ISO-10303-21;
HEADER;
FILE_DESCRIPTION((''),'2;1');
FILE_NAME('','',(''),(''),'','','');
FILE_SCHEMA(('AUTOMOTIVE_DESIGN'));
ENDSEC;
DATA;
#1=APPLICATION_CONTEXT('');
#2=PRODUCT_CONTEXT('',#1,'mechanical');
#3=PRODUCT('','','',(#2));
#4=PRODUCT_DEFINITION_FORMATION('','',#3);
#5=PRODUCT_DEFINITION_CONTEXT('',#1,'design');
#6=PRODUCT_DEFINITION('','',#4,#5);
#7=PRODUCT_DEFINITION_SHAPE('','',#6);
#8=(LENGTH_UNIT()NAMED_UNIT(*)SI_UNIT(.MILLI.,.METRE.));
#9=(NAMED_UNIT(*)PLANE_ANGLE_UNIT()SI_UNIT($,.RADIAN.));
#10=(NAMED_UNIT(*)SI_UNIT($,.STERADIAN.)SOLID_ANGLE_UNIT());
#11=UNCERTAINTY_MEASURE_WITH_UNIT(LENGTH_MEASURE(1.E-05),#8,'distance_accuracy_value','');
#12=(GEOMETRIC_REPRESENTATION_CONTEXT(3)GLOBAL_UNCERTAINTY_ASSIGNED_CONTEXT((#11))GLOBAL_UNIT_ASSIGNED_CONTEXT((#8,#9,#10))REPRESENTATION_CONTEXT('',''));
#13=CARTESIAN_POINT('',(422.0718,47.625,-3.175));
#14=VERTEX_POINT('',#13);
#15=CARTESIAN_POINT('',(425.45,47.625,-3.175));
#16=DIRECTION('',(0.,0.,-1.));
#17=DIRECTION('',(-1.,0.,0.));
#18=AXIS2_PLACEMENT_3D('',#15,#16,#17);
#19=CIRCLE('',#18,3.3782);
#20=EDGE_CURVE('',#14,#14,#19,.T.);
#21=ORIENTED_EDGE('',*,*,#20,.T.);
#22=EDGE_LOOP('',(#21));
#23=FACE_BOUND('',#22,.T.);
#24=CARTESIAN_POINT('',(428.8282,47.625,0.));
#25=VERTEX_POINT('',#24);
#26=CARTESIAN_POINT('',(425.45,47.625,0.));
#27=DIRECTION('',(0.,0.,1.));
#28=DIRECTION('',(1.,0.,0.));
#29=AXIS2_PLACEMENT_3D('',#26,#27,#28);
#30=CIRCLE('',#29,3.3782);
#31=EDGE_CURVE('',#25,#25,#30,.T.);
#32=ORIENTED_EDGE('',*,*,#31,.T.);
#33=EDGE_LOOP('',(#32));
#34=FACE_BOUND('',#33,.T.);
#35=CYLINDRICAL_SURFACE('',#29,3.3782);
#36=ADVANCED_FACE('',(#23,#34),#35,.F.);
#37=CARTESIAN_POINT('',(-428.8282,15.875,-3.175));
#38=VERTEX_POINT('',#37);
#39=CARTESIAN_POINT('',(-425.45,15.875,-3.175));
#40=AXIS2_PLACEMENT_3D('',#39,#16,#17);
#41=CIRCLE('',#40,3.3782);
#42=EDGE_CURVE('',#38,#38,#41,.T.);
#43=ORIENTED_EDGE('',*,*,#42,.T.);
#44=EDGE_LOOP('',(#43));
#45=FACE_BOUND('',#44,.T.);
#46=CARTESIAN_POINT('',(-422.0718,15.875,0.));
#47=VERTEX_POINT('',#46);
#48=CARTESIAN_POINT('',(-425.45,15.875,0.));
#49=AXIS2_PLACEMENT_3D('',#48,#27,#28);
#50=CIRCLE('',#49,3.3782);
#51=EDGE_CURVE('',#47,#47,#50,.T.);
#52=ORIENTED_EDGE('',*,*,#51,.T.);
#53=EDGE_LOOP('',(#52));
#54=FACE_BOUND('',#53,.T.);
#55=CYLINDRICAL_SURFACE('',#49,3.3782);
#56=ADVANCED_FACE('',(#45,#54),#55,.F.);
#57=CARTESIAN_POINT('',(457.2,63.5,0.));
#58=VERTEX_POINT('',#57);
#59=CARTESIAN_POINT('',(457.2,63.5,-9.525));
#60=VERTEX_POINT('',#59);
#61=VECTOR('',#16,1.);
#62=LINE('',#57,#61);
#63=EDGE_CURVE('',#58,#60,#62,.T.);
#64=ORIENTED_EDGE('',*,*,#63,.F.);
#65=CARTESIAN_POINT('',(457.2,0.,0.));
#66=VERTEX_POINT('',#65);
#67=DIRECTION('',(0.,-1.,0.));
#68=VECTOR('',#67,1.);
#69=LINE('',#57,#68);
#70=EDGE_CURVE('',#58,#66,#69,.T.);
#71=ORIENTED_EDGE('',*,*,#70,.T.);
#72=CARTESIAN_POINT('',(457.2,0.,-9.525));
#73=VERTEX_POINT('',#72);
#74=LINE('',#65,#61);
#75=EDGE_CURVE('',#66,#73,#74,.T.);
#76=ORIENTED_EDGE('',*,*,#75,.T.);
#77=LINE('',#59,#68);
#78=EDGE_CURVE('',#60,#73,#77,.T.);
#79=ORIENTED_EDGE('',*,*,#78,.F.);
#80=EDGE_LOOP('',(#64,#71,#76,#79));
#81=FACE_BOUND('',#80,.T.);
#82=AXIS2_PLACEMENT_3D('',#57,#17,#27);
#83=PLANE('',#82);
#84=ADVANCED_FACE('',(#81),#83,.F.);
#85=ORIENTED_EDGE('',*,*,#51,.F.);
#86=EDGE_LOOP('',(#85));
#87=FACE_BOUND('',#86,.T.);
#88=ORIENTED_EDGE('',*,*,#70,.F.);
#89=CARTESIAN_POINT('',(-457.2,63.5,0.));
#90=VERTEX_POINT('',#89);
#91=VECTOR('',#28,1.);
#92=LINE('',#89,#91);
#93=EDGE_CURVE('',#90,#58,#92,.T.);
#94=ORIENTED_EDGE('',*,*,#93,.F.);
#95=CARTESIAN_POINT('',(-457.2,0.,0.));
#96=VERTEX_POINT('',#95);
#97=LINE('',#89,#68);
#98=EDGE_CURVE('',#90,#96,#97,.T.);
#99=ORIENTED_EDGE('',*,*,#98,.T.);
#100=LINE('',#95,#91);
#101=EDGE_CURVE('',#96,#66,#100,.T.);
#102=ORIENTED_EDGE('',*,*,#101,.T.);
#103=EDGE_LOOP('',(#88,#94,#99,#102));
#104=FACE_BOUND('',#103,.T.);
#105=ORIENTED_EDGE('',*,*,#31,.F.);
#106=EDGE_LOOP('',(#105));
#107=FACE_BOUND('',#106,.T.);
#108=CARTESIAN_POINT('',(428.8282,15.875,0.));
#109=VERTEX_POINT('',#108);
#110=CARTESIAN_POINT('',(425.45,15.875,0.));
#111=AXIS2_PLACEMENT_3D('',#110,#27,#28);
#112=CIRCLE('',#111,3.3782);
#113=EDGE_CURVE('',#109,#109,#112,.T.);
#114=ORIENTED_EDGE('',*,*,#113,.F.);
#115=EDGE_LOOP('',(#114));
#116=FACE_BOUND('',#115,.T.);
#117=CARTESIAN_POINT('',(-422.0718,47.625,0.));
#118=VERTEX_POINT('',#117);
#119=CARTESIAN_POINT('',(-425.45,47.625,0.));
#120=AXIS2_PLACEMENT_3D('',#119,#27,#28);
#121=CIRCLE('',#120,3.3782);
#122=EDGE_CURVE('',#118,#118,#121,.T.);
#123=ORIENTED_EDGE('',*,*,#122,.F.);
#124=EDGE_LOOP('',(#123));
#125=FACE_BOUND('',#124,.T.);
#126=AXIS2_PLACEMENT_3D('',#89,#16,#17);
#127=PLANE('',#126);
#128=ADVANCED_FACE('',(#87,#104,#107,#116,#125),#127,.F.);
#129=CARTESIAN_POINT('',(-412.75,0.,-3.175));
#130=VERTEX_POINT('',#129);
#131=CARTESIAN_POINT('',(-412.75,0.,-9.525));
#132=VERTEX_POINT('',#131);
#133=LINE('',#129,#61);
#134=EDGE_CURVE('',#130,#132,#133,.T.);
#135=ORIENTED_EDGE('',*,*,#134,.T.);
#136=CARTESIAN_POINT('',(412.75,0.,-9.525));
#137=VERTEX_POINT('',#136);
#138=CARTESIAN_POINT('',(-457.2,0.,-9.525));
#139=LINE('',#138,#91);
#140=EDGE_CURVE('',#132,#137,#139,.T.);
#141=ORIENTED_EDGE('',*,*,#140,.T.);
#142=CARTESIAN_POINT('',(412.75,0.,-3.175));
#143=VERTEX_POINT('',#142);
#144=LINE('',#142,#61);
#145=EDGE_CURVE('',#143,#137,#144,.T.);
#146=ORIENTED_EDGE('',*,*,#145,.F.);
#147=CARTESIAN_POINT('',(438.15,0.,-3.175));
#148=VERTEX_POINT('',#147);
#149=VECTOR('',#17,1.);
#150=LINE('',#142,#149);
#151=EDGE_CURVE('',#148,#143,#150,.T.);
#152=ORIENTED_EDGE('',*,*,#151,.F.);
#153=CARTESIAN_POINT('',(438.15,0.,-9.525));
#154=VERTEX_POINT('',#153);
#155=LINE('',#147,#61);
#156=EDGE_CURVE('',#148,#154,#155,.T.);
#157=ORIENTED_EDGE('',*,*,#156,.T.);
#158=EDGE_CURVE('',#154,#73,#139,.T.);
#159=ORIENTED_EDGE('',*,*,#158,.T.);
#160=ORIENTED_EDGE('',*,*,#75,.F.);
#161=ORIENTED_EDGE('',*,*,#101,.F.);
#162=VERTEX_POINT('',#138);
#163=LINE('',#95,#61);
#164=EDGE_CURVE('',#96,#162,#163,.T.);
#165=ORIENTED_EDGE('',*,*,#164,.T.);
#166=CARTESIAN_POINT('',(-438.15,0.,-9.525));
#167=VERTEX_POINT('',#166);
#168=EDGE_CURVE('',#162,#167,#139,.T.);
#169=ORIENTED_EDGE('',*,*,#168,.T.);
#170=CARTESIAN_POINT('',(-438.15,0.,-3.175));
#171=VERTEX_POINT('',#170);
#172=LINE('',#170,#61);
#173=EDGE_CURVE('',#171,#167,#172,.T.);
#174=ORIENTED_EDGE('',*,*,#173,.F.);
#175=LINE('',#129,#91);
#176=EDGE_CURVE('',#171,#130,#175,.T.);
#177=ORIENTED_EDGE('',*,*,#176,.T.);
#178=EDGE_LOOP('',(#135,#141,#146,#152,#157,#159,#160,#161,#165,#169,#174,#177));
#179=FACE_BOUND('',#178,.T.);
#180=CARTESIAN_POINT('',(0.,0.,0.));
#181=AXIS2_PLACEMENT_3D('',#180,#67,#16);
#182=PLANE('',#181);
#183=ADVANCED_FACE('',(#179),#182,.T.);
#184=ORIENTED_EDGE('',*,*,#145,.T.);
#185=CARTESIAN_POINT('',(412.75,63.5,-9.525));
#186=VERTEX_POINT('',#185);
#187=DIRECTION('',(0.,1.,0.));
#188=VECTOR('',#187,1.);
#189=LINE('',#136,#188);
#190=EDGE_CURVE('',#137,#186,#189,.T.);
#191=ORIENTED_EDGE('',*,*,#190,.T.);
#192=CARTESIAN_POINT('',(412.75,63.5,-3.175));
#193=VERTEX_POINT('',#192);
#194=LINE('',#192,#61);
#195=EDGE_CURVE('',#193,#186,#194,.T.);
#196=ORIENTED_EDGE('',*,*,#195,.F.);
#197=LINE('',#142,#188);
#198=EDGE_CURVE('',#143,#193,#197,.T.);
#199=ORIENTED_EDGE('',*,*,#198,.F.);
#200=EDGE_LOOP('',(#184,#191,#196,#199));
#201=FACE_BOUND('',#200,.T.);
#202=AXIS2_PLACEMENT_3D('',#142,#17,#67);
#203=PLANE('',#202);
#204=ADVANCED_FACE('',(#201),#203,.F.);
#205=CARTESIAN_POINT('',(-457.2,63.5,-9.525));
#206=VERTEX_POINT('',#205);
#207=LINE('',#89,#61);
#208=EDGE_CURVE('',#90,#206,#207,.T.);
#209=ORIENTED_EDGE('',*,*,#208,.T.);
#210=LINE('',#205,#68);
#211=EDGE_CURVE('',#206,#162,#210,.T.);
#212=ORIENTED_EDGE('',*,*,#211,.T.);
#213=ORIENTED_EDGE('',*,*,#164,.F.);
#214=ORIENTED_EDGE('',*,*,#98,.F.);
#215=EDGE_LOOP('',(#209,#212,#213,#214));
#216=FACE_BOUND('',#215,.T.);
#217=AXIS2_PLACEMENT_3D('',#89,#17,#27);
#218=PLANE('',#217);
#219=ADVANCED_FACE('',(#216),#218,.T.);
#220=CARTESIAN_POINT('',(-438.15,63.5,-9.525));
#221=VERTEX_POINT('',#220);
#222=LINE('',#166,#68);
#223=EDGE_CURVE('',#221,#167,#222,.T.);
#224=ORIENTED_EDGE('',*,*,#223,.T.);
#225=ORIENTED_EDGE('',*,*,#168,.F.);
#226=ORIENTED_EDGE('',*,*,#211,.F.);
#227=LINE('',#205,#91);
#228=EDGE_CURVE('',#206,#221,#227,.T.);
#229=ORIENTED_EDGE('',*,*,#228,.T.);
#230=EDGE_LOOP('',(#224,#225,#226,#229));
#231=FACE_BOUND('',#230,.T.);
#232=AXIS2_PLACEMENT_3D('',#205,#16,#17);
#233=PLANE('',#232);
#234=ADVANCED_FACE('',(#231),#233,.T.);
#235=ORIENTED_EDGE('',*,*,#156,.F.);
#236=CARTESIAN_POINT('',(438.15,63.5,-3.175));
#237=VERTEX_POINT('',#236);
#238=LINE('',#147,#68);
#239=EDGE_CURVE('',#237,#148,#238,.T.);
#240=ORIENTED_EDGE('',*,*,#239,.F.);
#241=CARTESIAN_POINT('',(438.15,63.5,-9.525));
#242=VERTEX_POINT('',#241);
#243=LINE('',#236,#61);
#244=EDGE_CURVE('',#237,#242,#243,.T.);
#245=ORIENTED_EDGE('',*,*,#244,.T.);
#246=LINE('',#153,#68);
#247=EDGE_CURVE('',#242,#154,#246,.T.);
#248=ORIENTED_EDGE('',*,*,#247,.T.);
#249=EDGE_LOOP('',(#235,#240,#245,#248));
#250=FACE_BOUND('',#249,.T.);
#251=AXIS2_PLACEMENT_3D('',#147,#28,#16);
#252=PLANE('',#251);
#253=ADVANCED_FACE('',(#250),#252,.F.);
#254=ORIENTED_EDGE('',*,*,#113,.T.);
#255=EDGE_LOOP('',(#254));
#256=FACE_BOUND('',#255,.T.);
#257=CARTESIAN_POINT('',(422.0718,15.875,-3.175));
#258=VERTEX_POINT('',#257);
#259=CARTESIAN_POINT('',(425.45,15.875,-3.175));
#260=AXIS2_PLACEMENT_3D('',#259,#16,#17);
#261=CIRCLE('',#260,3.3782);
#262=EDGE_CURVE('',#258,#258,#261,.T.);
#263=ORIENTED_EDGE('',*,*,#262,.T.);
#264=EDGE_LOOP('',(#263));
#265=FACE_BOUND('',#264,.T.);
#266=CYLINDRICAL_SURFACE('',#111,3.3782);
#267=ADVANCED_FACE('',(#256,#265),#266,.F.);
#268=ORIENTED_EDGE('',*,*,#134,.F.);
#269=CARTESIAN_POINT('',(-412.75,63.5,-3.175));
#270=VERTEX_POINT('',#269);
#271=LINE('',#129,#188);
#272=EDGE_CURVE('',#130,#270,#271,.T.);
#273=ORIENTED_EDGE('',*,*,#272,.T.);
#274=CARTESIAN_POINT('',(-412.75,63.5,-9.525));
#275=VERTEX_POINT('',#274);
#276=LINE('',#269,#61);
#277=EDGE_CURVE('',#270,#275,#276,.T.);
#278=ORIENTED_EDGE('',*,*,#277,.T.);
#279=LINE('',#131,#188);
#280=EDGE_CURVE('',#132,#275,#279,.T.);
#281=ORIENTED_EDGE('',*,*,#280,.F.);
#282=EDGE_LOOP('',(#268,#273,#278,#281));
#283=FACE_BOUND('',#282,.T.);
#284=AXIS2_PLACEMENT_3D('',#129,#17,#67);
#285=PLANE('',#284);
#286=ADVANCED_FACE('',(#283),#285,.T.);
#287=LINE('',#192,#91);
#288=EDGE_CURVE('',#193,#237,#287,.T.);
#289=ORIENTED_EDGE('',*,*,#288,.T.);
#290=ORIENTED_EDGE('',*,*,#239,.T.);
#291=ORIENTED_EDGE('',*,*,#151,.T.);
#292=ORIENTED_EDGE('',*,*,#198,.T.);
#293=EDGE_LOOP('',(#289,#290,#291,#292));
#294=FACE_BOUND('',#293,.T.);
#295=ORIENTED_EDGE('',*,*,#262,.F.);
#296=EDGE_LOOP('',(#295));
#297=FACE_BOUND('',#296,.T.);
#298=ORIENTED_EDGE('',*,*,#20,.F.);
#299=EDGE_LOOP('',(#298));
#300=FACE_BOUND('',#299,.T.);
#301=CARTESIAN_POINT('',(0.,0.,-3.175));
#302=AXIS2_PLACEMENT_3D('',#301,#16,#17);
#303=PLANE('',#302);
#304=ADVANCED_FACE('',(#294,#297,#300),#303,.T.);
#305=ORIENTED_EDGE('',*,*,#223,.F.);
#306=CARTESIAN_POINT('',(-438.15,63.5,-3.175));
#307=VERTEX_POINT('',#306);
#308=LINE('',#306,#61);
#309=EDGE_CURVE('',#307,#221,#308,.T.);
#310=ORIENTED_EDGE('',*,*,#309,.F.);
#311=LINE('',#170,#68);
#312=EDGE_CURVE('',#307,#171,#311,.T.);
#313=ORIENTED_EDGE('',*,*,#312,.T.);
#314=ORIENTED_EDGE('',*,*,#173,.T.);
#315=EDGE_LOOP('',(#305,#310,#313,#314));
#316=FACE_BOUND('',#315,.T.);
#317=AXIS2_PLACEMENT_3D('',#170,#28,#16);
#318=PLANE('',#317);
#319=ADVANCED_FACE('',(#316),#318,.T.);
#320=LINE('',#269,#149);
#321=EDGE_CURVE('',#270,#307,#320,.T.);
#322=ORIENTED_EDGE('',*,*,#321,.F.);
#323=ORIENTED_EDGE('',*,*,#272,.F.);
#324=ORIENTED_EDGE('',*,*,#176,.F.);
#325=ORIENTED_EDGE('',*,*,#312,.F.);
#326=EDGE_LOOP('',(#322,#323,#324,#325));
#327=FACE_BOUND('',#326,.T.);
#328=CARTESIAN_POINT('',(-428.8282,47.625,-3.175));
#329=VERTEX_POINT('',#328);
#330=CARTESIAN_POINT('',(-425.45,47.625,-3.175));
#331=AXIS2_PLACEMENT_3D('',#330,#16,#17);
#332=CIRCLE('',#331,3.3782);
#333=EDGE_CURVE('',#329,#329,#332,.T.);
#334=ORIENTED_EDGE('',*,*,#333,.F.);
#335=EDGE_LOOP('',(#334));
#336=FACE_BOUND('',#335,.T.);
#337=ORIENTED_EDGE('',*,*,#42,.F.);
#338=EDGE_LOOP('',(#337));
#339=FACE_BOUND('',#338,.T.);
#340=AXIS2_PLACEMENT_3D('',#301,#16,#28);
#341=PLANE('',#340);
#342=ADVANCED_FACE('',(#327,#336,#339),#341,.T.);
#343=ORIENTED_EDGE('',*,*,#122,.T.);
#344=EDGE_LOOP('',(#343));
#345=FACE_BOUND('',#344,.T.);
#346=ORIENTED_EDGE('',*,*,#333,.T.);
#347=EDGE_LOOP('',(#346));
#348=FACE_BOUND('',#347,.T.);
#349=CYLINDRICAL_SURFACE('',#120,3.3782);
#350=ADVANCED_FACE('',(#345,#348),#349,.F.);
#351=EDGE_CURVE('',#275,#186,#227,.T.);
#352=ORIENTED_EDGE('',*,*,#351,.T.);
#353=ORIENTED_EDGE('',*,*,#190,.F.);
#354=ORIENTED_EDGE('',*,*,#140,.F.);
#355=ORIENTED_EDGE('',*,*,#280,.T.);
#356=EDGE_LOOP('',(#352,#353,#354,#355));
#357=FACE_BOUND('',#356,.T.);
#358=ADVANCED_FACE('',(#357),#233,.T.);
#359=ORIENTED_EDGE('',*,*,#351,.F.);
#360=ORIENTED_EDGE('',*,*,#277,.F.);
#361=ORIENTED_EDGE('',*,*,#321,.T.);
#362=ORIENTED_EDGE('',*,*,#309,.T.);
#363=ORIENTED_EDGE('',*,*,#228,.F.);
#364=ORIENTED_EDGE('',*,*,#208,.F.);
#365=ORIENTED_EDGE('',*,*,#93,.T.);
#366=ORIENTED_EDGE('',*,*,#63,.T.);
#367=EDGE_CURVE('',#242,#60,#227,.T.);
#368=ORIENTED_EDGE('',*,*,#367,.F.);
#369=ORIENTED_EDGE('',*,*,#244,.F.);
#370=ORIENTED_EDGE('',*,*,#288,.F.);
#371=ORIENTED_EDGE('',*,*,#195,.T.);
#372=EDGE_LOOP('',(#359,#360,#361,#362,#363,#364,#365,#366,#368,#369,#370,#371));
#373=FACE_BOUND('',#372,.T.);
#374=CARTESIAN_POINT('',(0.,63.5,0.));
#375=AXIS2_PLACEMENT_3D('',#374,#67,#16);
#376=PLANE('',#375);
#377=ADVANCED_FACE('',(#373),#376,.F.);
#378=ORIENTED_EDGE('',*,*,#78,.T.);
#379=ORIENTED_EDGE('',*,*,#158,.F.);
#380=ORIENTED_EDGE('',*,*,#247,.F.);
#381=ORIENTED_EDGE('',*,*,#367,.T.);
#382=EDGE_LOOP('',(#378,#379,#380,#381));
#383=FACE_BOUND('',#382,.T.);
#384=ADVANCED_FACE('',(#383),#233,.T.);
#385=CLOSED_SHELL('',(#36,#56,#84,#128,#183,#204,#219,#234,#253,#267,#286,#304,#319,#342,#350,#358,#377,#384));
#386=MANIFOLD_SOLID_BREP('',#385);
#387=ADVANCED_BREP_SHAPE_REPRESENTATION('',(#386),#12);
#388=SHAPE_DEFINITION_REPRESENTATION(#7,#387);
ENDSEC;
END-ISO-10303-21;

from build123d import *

# Parameters (mm, degrees)
SKETCH1_W               = 914.4
SKETCH1_H               = 9.525
BOSS_EXTRUDE1_DEPTH     = 63.5
SKETCH2_W               = 25.4
SKETCH2_H               = 63.5
CUT_EXTRUDE1_DEPTH      = 6.35
F_1_4_CLEARANCE_HOLE1_D = 6.7564
LPATTERN1_COUNT         = 3
LPATTERN1_PITCH         = 15.875
MIRROR1_COPY_1_D        = 6.7564


with BuildPart() as part:
    # Sketch1 → Boss-Extrude1 (new body)
    with BuildSketch(Plane(origin=(0, 0, 0), x_dir=(1, 0, 0), z_dir=(0, 1, 0))):
        with Locations((0, 4.7625)):
            Rectangle(SKETCH1_W, SKETCH1_H)
    extrude(amount=BOSS_EXTRUDE1_DEPTH)

    # Sketch2 → Cut-Extrude1 (cut)
    with BuildSketch(Plane(origin=(0, 0, -9.525), x_dir=(-1, 0, 0), z_dir=(0, 0, -1))):
        with Locations((-425.45, 31.75)):
            Rectangle(SKETCH2_W, SKETCH2_H)
    cut_extrude1 = extrude(amount=-CUT_EXTRUDE1_DEPTH, mode=Mode.SUBTRACT)

    # 1/4 Clearance Hole1 (through all)
    with Locations(Plane.XY):
        with Locations((425.45, 47.625)):
            f_1_4_clearance_hole1 = Hole(F_1_4_CLEARANCE_HOLE1_D / 2)

    # LPattern1: 1/4 Clearance Hole1 ×3, 1 skipped
    with Locations(*[(0, -i * LPATTERN1_PITCH, 0) for i in range(1, LPATTERN1_COUNT) if i not in (1,)]):
        add(f_1_4_clearance_hole1, mode=Mode.SUBTRACT)

    # Mirror1: Cut-Extrude1, 1/4 Clearance Hole1 across plane
    add(cut_extrude1.mirror(Plane(origin=(0, 0, 0), x_dir=(0, 0, 1), z_dir=(1, 0, 0))), mode=Mode.SUBTRACT)
    add(f_1_4_clearance_hole1.mirror(Plane(origin=(0, 0, 0), x_dir=(0, 0, 1), z_dir=(1, 0, 0))), mode=Mode.SUBTRACT)

    # Mirror1 copy 1 (through all)
    with Locations(Plane(origin=(0, -31.75, 0), x_dir=(-1, 0, 0), z_dir=(0, 0, 1))):
        with Locations((425.45, -47.625)):
            Hole(MIRROR1_COPY_1_D / 2)


solid = part.part
